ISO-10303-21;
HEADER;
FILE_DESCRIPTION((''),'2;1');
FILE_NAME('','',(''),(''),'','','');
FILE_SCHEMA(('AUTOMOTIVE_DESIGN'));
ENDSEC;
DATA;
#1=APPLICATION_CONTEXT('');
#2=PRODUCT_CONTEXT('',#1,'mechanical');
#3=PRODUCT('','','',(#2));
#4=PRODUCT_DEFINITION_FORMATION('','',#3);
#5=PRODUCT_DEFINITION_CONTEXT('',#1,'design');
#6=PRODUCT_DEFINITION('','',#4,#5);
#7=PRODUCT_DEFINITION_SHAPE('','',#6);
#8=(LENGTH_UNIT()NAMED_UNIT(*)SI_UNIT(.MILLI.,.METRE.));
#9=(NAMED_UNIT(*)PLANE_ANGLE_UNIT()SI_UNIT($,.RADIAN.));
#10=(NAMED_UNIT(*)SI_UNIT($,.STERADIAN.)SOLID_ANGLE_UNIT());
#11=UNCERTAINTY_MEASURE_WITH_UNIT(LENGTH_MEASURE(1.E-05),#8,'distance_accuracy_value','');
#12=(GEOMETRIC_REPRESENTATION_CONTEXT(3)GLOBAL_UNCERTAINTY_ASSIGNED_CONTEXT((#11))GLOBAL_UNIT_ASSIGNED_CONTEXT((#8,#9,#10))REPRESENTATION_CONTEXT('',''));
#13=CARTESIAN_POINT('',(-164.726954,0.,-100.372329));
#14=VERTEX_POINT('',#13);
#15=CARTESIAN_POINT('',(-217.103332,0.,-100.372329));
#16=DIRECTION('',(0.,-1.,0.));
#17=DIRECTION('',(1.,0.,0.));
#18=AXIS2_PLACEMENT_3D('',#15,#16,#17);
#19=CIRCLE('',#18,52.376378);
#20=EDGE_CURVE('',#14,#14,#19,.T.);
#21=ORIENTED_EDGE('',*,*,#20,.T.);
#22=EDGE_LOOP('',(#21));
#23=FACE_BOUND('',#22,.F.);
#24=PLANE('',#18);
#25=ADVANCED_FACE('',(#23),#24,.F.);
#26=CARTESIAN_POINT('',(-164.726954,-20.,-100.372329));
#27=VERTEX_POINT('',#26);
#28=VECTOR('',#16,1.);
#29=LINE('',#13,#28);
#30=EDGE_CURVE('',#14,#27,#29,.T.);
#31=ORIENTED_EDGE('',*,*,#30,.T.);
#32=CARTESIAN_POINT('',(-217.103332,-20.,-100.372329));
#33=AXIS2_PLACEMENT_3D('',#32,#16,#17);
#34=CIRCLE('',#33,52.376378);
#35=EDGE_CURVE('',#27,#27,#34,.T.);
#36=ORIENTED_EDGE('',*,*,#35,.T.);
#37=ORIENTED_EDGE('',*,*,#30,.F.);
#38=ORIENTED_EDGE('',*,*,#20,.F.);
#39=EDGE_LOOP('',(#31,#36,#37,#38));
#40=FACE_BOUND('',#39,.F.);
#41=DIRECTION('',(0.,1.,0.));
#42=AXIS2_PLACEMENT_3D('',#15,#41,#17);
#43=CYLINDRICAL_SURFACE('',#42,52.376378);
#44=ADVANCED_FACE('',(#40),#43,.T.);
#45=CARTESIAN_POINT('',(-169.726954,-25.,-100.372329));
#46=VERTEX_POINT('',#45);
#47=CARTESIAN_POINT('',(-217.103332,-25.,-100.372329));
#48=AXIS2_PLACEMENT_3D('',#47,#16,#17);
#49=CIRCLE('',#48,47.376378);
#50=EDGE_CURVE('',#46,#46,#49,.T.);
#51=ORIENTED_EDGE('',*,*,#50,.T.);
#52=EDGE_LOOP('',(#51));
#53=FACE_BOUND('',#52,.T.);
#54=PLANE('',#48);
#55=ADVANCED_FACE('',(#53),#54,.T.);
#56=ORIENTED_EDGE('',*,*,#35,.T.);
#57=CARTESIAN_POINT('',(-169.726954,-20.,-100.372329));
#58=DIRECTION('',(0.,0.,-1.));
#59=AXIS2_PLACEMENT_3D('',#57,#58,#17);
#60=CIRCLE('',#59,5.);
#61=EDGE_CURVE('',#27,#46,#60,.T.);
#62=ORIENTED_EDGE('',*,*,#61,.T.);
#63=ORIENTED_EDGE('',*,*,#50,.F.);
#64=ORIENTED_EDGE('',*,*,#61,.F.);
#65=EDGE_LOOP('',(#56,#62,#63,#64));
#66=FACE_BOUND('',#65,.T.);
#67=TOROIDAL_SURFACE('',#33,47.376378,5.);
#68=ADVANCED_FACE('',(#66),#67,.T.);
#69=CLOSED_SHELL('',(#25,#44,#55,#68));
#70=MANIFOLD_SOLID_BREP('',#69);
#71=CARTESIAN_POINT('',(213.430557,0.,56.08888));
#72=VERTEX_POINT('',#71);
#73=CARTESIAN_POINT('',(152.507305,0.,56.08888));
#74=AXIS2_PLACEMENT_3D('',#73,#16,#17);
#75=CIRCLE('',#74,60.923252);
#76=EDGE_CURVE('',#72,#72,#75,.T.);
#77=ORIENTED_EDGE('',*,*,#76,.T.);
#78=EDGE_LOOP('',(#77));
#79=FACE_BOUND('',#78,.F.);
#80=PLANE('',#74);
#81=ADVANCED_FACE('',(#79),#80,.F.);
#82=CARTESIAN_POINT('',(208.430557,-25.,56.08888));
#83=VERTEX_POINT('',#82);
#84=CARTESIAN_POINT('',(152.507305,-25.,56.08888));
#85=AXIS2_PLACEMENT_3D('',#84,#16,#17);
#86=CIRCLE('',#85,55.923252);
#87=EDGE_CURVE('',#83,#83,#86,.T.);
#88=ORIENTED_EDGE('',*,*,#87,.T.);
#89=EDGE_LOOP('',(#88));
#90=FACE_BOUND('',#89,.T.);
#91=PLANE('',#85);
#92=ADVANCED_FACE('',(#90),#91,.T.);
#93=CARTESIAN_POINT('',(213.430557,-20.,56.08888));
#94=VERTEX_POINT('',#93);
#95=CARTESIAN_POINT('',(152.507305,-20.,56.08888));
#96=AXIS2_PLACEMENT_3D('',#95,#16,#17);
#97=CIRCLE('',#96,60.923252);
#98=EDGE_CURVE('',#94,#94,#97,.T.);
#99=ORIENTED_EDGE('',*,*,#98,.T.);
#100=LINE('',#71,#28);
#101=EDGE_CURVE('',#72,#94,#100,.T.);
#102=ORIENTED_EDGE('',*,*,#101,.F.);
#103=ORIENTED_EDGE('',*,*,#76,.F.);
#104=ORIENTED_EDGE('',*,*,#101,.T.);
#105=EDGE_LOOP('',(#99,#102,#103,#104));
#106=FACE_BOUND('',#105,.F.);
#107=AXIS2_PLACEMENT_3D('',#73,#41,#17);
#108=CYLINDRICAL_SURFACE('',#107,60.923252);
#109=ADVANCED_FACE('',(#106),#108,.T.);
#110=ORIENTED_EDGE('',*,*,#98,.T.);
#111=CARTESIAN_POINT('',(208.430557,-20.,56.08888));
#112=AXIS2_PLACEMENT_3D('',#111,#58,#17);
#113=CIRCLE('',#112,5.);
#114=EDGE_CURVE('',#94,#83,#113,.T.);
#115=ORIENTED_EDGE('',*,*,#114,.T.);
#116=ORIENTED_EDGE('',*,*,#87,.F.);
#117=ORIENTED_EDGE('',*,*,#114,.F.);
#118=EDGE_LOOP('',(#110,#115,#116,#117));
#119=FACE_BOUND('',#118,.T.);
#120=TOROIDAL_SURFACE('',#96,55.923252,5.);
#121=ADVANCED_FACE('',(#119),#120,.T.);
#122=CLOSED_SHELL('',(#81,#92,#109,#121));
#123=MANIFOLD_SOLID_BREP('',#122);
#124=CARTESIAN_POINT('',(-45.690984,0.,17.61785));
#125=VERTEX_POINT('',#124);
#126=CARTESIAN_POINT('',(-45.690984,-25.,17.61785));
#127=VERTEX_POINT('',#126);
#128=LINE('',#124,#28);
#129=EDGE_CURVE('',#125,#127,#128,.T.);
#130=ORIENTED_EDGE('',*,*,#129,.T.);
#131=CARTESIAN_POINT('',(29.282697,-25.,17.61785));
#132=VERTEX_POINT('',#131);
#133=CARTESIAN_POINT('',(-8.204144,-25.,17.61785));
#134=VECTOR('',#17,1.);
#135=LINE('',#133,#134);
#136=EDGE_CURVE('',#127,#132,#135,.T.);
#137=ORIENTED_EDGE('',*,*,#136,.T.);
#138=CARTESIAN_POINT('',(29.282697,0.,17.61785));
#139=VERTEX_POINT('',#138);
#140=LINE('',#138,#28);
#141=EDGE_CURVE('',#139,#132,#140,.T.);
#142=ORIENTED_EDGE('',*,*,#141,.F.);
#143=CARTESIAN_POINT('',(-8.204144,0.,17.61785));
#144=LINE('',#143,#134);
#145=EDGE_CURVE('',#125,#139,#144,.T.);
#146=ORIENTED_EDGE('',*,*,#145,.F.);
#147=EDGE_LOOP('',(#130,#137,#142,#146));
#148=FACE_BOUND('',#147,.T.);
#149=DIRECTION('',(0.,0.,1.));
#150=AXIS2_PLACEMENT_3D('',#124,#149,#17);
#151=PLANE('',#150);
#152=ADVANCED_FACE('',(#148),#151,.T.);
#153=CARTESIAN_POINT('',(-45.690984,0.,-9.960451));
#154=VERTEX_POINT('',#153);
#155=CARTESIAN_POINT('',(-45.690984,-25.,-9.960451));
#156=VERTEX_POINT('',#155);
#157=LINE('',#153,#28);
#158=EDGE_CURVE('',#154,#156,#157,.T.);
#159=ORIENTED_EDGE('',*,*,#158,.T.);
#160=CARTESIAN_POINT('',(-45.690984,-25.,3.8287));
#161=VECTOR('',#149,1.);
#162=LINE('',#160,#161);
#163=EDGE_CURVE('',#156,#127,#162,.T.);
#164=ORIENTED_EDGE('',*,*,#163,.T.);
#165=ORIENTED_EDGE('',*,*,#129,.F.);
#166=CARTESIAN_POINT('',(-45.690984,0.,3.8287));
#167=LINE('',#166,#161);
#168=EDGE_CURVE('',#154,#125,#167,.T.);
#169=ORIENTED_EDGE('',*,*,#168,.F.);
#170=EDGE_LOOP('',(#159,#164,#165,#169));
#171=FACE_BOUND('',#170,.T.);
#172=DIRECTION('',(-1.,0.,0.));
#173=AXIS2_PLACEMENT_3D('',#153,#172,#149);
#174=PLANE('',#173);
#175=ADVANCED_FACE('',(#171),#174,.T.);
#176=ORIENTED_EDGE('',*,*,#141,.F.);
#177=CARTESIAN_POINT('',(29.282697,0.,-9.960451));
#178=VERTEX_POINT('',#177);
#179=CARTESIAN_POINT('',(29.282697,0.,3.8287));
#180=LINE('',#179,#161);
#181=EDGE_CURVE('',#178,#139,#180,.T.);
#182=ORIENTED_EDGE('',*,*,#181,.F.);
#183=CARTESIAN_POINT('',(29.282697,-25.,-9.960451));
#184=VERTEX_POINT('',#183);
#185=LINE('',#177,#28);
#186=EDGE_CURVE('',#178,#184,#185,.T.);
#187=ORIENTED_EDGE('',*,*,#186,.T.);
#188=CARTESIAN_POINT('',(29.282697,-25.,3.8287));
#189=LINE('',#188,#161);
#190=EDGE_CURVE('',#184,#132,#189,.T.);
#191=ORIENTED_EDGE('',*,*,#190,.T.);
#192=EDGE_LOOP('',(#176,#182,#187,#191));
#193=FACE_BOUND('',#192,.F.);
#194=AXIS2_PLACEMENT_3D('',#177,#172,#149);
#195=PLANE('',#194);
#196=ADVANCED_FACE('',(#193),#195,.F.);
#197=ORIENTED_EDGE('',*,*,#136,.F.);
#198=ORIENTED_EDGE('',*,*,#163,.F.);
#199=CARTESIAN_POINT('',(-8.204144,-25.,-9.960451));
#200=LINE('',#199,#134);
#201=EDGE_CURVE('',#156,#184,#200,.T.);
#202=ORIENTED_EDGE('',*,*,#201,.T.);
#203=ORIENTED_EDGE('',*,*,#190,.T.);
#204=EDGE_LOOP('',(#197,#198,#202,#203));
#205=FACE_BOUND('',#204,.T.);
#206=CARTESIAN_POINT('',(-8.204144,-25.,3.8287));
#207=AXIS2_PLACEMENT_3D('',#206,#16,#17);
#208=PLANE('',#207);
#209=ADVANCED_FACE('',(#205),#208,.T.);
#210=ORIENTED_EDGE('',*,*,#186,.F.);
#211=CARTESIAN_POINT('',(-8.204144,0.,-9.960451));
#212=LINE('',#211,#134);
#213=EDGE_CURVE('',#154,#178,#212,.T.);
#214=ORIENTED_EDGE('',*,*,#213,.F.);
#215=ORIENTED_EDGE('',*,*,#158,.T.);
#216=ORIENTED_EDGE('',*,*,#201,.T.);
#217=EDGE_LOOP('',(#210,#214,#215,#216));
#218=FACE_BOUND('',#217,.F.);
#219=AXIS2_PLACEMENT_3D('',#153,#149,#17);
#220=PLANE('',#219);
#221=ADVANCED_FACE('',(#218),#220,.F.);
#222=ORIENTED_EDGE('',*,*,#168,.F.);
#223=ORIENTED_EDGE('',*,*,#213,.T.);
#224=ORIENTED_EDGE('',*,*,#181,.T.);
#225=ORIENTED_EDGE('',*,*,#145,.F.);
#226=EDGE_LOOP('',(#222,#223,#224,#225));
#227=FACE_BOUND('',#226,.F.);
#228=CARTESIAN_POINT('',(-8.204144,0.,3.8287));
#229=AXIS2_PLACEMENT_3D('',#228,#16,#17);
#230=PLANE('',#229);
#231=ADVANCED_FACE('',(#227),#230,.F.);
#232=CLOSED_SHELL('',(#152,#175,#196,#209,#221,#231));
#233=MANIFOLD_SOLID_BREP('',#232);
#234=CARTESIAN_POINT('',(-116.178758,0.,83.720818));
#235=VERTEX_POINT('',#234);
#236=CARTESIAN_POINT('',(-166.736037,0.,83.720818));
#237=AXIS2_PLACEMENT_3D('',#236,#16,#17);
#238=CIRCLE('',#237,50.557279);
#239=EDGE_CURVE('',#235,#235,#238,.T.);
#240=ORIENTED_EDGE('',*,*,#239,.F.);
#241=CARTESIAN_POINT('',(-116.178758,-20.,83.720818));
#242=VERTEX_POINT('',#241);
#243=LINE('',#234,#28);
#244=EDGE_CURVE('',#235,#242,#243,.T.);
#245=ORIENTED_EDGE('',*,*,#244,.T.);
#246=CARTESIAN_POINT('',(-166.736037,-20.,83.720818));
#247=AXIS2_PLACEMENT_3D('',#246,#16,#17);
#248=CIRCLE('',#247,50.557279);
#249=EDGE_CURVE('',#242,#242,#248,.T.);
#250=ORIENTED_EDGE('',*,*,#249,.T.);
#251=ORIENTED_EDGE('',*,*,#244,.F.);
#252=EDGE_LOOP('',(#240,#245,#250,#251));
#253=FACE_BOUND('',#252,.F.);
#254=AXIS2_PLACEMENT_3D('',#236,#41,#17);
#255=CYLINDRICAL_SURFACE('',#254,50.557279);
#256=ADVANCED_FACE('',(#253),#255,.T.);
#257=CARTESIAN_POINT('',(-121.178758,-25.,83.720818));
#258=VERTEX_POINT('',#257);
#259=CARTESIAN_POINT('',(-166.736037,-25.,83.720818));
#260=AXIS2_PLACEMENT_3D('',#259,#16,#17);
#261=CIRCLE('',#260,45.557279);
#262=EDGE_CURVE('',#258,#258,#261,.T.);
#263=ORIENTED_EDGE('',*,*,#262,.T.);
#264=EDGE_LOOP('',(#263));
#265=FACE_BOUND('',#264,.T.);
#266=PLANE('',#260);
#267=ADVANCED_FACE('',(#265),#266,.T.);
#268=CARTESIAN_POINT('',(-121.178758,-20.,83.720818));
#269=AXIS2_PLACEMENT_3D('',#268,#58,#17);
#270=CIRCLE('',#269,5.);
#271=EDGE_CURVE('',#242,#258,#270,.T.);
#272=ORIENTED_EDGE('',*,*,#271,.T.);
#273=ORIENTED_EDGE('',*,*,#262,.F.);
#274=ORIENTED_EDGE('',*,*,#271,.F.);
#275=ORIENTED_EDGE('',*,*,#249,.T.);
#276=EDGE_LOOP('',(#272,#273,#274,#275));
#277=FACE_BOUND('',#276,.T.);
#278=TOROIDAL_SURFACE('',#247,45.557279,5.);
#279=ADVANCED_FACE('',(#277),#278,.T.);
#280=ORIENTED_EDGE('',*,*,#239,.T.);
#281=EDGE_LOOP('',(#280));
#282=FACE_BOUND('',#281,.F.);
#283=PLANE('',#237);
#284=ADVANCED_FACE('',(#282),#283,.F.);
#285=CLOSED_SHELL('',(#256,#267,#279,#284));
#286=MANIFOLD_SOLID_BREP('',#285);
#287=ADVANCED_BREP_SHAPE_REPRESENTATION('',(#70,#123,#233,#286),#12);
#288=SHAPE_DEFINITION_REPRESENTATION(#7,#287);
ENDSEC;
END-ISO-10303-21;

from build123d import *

# Parameters (mm, degrees)
F0_W     = 74.973681
F0_H     = 27.578301
F1_DEPTH = 25
F2_R     = 60.923252
F2_R_2   = 50.557279
F2_R_3   = 52.376378
F3_DEPTH = 25
F4_R     = 5


with BuildPart() as f1:
    # F0 (on Front) → F1 (new body)
    with BuildSketch(Plane.XZ):
        with Locations((-8.204144, 3.8287)):
            Rectangle(F0_W, F0_H)
    extrude(amount=F1_DEPTH)


with BuildPart() as f3:
    # F2 (on Front) → F3 (new body)
    with BuildSketch(Plane.XZ):
        with Locations((152.507305, 56.08888)):
            Circle(F2_R)
        with Locations((-166.736037, 83.720818)):
            Circle(F2_R_2)
        with Locations((-217.103332, -100.372329)):
            Circle(F2_R_3)
    extrude(amount=F3_DEPTH)

    # F4
    f4_edges = [f3.edges().sort_by_distance(p)[0] for p in [
        (-269.47971, -25, -100.372329),
        (-217.293315, -25, 83.720818),
        (91.584053, -25, 56.08888),
    ]]
    fillet(f4_edges, radius=F4_R)


solid = Compound([f1.part, f3.part])
